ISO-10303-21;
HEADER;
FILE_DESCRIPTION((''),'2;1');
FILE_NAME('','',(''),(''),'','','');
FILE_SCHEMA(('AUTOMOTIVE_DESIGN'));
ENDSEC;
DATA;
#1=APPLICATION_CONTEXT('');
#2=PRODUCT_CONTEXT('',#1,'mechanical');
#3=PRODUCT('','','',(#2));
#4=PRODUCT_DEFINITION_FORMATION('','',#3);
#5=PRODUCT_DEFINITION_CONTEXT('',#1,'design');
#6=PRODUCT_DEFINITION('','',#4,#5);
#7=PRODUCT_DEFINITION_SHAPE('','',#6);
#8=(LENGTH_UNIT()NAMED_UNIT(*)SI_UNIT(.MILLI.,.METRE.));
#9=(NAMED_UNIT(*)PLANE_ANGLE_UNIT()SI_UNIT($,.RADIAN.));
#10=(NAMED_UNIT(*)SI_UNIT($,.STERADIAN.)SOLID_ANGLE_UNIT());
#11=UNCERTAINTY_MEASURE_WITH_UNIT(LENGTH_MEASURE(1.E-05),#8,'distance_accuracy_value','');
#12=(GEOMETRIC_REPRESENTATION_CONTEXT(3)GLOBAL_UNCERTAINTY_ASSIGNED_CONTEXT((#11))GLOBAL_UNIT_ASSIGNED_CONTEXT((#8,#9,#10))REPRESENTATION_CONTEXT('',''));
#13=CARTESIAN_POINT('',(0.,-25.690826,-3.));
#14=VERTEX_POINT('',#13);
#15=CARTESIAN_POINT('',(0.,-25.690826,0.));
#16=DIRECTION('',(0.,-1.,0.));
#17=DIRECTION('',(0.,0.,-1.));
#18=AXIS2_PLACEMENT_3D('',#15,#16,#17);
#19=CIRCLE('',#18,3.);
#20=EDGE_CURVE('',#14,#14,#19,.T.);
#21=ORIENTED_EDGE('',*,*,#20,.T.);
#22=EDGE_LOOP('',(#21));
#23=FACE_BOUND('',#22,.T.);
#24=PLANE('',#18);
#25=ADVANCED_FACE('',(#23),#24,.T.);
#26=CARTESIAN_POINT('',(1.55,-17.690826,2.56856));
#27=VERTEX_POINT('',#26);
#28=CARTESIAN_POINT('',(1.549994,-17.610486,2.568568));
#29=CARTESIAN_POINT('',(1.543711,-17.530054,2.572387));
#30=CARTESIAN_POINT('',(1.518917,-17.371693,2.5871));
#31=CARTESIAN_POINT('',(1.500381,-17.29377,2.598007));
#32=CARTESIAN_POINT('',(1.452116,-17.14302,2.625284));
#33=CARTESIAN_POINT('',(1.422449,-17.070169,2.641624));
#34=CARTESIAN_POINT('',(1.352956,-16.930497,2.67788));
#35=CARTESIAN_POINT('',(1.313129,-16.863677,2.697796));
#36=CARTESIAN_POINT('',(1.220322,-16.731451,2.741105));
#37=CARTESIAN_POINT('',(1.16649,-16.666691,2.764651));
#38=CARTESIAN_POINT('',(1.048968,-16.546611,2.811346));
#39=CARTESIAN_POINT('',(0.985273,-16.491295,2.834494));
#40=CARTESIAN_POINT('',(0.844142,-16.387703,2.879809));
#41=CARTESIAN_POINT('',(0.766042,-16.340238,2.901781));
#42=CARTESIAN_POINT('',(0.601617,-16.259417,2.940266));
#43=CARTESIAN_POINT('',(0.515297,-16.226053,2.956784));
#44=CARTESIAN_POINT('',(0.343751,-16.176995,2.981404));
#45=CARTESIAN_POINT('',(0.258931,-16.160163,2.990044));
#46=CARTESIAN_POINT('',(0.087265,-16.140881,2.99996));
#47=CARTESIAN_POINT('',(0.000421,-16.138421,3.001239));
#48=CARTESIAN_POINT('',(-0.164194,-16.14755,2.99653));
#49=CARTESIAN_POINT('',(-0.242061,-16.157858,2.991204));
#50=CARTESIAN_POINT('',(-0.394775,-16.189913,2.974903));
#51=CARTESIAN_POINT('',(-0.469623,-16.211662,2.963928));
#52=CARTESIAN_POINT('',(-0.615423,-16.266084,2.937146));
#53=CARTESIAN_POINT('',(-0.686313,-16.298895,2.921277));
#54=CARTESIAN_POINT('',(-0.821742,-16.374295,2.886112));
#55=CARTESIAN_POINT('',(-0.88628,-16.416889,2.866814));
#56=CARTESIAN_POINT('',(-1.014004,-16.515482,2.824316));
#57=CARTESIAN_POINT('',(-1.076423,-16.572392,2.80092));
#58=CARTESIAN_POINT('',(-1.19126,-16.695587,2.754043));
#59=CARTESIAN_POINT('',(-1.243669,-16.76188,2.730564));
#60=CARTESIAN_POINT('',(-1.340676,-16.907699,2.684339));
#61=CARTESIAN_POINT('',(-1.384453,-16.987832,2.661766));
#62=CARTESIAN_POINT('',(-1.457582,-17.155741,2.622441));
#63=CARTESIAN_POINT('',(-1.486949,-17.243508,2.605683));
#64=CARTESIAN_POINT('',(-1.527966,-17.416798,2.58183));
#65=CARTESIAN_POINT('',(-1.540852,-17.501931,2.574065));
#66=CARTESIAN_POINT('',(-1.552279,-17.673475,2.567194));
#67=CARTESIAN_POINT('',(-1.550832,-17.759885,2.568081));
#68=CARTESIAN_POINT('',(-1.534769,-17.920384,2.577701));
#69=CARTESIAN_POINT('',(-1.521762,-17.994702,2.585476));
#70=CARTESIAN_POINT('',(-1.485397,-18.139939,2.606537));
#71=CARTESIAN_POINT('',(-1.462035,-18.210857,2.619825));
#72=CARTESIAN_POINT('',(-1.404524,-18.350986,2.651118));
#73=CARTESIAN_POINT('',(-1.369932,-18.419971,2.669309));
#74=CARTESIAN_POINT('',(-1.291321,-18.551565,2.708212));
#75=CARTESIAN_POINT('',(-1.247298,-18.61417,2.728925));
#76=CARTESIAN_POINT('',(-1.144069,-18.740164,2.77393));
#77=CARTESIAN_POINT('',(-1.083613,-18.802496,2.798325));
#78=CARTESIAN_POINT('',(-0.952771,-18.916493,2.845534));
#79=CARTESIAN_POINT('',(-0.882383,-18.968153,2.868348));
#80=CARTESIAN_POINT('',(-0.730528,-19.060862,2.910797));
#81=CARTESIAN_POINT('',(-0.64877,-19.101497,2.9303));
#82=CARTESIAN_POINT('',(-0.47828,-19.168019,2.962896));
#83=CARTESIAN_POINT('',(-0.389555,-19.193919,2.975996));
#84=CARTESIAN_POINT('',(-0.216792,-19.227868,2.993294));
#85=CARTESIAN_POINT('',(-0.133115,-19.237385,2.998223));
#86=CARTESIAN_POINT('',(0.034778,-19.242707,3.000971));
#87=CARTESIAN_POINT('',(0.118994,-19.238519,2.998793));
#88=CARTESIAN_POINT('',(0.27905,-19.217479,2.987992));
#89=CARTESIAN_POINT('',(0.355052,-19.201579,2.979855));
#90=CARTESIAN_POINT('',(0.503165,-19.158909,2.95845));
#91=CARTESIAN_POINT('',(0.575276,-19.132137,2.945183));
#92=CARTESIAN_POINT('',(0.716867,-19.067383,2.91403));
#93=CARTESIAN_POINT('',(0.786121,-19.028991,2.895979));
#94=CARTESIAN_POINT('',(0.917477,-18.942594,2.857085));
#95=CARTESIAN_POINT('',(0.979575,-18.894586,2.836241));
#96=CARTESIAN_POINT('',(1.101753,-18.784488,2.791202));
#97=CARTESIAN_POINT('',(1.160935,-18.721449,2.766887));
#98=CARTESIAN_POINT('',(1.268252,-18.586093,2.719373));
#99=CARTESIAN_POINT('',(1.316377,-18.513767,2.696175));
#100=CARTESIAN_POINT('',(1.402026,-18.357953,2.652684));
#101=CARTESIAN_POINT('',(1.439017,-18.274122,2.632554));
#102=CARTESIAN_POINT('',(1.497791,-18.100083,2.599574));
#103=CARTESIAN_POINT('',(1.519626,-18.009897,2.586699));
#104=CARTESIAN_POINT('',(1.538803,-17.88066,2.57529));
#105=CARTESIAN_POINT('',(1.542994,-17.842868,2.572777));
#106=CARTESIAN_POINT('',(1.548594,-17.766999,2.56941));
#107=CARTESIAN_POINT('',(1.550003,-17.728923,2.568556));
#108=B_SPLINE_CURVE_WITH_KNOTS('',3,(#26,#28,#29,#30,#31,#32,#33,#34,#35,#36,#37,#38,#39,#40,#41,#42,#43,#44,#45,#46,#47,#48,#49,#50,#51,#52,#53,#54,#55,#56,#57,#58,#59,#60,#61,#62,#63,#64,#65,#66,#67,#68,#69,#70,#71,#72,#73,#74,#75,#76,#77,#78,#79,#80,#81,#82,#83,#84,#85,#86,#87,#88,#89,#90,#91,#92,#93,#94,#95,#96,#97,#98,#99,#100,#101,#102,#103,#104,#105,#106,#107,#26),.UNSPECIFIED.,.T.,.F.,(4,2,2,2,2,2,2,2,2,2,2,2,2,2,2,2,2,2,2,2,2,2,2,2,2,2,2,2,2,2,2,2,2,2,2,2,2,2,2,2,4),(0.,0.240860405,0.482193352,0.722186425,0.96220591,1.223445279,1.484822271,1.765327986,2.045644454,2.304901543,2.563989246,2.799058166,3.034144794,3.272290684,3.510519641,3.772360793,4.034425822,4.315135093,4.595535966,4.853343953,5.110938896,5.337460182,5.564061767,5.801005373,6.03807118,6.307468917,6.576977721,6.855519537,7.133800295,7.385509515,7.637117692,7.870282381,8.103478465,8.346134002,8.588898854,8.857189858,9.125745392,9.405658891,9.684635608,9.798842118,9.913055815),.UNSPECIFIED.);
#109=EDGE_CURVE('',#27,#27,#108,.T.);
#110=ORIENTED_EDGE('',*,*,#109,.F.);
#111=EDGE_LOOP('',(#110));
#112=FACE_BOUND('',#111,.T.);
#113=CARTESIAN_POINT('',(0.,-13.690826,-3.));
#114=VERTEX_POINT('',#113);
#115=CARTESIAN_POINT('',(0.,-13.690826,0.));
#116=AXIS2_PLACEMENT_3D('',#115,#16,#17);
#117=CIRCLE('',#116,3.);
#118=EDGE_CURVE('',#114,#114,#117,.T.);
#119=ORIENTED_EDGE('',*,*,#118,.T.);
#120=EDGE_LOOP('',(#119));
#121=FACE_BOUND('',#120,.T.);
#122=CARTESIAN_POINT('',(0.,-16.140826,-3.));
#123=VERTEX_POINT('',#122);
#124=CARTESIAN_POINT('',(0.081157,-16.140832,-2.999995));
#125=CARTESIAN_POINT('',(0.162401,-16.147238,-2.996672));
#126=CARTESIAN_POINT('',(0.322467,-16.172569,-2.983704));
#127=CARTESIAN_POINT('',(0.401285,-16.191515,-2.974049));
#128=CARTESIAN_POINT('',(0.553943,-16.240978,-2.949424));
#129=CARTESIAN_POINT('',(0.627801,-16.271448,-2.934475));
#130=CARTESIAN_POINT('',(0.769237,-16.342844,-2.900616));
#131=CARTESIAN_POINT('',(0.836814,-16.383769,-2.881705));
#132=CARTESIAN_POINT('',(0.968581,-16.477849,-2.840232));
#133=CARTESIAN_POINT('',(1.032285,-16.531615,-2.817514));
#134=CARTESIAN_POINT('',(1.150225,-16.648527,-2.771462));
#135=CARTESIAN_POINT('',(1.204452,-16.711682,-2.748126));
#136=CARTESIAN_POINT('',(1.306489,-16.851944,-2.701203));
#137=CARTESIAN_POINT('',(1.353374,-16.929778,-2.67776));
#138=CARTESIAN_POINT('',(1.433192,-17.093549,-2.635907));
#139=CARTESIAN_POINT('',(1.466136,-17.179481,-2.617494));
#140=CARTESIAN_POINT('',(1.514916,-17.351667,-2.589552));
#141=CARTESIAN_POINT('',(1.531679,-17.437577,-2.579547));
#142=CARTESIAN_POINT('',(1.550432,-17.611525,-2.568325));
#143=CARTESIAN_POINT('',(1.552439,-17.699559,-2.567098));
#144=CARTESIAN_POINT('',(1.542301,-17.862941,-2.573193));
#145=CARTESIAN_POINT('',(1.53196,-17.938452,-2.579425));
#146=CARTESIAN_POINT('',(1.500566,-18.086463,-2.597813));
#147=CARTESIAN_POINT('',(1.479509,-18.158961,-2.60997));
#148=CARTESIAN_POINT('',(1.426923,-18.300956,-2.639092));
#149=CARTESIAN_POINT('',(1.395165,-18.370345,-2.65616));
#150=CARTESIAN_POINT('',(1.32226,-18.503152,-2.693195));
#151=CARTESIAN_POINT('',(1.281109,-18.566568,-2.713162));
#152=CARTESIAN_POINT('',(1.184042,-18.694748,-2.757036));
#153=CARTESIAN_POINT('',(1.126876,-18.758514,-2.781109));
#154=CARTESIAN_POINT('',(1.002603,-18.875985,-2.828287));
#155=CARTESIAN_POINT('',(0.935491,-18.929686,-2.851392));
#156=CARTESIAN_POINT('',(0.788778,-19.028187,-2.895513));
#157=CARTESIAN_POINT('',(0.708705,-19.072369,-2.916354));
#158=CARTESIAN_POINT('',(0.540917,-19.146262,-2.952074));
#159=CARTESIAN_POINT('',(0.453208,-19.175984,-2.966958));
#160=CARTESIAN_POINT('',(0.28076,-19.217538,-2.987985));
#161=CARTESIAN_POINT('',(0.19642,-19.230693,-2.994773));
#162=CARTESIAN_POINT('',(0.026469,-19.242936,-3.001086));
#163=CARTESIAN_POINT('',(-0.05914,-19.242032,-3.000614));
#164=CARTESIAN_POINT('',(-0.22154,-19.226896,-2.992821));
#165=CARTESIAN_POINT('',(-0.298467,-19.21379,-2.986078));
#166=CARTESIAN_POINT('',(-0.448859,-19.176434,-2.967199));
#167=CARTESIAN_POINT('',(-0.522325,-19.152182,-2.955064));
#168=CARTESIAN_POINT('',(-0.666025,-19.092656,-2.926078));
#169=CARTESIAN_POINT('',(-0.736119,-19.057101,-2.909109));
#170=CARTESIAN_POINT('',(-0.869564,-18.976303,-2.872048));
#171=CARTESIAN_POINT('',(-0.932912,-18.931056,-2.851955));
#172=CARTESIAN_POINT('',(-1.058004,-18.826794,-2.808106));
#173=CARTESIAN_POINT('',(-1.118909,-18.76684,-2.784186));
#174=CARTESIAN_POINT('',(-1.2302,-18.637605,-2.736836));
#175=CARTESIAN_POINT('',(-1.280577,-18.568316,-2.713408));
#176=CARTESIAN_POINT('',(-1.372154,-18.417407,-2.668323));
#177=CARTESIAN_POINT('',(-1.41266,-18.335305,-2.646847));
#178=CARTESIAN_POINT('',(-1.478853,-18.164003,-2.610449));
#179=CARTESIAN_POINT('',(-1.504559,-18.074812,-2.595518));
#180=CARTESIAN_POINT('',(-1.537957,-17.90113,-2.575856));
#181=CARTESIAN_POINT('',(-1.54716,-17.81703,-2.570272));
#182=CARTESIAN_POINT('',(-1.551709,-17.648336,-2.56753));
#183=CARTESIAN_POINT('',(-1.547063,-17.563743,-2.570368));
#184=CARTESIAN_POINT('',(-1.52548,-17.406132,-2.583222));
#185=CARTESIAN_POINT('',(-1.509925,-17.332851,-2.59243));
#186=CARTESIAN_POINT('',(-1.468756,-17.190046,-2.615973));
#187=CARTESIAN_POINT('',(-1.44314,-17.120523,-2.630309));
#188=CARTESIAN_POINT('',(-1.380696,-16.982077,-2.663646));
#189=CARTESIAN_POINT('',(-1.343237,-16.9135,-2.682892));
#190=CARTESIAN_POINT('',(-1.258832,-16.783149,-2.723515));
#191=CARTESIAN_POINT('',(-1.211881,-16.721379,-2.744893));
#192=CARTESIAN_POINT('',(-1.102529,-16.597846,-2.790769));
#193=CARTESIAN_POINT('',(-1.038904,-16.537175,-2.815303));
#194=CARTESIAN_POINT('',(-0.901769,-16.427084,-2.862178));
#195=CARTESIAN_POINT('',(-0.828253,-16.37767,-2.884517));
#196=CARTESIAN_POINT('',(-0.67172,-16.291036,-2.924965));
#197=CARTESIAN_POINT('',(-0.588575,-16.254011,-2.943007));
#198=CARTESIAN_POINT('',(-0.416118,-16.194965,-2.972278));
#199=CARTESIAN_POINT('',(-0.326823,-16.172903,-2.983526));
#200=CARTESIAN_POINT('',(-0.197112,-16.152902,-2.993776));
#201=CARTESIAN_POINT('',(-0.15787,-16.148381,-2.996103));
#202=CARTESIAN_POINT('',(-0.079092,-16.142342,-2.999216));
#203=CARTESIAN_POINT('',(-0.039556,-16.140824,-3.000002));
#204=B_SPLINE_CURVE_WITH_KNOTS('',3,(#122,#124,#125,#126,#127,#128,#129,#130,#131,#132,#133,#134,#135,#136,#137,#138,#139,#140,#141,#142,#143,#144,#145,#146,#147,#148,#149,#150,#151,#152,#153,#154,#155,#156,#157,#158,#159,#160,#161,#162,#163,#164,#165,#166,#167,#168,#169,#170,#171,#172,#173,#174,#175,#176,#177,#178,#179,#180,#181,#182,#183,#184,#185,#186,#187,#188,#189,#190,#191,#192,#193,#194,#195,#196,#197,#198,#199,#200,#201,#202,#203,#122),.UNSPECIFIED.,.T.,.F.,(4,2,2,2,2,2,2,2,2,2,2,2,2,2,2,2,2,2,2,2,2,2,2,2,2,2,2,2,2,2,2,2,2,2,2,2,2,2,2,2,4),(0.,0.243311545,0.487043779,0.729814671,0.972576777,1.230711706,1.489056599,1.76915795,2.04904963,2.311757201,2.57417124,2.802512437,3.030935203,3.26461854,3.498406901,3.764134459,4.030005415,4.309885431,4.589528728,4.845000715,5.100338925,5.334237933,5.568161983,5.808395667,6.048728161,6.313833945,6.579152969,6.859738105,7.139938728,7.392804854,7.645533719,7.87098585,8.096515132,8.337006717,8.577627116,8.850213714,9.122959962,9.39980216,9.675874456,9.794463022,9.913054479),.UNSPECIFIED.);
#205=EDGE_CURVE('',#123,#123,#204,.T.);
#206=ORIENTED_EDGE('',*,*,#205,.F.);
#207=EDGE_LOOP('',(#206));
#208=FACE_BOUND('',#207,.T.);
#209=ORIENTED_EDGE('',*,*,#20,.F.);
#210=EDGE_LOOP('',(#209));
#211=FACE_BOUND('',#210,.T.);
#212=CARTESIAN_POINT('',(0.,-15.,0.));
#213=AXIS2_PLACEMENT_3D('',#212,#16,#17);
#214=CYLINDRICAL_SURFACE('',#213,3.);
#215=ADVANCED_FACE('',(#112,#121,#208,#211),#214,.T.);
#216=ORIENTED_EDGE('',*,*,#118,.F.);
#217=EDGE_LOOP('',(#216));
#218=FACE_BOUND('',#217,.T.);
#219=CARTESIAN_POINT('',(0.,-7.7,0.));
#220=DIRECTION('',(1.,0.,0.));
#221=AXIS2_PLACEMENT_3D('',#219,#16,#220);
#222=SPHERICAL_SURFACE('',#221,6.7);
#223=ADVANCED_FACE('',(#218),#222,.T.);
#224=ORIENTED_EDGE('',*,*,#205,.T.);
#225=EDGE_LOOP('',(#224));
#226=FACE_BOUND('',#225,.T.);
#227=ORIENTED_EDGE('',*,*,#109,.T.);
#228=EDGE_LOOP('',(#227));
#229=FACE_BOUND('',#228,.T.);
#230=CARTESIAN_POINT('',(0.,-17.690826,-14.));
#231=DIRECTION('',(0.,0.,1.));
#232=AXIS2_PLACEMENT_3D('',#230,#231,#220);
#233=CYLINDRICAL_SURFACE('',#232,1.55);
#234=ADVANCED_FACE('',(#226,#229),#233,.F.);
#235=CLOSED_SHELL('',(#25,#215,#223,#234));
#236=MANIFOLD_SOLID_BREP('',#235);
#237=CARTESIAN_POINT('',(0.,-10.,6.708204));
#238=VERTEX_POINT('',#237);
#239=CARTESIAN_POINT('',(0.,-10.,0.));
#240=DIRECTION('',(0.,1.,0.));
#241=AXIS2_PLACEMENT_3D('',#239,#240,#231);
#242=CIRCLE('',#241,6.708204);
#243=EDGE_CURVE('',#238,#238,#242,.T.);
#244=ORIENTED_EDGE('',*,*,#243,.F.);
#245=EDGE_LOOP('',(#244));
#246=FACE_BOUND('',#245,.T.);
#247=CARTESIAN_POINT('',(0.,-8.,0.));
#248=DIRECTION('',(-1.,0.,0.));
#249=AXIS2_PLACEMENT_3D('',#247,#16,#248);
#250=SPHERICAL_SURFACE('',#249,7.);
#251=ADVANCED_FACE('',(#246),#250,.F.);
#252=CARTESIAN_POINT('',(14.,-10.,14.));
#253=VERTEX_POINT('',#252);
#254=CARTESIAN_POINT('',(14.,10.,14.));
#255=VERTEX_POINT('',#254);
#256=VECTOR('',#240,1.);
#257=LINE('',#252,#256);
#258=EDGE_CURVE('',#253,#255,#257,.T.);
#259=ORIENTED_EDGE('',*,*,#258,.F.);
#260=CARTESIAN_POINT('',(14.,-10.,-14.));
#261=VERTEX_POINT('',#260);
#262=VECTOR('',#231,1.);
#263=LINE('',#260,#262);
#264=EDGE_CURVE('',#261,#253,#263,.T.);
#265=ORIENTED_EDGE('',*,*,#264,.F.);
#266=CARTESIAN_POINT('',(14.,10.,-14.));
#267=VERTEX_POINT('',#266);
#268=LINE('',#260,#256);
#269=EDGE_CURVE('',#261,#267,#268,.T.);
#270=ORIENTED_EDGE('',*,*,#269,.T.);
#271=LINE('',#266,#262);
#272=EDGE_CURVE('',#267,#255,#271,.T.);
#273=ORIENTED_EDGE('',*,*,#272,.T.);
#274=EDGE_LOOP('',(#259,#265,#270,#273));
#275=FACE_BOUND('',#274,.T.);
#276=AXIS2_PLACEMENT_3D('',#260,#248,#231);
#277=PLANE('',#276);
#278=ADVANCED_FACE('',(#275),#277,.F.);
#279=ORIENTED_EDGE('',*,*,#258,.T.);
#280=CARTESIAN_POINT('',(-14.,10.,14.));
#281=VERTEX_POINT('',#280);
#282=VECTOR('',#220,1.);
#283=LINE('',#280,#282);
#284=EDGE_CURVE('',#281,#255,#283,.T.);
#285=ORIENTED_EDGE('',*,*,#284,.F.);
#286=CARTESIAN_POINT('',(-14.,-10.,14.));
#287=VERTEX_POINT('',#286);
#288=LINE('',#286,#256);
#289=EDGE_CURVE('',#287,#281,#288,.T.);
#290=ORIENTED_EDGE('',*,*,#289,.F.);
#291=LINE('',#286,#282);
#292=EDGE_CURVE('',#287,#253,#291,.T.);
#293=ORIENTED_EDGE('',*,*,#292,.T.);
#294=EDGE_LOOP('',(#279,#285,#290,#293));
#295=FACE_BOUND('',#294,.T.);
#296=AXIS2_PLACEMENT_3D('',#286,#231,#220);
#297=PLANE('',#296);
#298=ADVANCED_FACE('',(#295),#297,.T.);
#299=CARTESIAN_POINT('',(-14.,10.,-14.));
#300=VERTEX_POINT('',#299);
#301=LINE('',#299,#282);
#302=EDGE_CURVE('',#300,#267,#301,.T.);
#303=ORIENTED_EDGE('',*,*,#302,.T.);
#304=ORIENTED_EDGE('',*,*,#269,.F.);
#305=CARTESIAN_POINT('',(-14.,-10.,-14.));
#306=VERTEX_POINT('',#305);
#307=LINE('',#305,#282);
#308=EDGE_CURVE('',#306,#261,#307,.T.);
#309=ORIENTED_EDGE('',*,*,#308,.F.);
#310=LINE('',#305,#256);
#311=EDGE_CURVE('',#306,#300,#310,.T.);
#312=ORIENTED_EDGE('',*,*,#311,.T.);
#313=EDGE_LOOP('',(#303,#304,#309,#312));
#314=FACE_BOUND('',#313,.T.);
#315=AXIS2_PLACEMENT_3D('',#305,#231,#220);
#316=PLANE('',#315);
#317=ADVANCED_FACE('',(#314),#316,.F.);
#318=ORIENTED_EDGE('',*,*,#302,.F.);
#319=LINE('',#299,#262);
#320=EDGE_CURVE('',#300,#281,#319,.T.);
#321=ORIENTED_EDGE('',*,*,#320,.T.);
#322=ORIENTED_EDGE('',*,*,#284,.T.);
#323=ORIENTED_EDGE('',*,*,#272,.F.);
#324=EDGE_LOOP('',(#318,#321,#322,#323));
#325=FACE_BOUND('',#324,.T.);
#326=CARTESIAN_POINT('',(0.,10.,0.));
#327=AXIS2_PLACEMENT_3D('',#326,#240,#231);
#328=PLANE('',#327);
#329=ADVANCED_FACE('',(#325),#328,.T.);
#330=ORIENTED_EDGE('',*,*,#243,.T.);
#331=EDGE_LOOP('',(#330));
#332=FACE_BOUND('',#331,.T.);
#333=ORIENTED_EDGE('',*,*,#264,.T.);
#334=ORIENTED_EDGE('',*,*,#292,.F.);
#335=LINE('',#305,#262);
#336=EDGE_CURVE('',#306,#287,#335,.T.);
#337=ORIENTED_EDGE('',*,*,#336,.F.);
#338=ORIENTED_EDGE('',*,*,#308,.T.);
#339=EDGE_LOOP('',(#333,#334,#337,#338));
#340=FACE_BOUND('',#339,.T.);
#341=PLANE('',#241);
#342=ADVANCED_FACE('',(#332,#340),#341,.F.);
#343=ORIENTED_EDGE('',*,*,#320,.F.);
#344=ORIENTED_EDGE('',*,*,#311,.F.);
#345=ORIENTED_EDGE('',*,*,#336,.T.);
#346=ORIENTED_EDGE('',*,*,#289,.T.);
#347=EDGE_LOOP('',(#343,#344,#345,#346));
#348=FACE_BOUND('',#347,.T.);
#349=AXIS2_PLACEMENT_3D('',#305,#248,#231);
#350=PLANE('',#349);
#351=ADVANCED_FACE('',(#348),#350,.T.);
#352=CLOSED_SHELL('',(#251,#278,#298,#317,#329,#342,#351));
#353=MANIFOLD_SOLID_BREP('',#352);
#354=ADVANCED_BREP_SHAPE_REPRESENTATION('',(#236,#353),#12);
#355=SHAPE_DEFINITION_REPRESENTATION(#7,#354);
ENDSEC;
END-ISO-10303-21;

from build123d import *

# Parameters (mm, degrees)
SKETCH1_W               = 28
SKETCH1_H               = 28
BOSS_EXTRUDE1_DEPTH     = 10
CUT_EXTRUDE1_DEPTH      = 41.497142578
CUT_EXTRUDE1_DEPTH_BACK = 41.497142578
SKETCH4_R               = 1.55


with BuildPart() as part:
    # Sketch1 → Boss-Extrude1 (new, symmetric)
    with BuildSketch(Plane(origin=(0, 0, 0), x_dir=(1, 0, 0), z_dir=(0, 1, 0))):
        Rectangle(SKETCH1_W, SKETCH1_H)
    extrude(amount=BOSS_EXTRUDE1_DEPTH, both=True)

    # Sketch2 → Cut-Revolve1 (revolve, cut)
    with BuildSketch(Plane.XY):
        with BuildLine():
            Line((0, -15), (0, -1))
            ThreePointArc((0, -1), (7, -8), (0, -15))
        make_face()
    revolve(axis=Axis((0, -15, 0), (0, 1, 0)), mode=Mode.SUBTRACT)


with BuildPart() as body_2:
    # Sketch3 → Revolve1 (revolve)
    with BuildSketch(Plane.XY, mode=Mode.PRIVATE) as revolve1_sk:
        with BuildLine():
            Line((0, -1), (0, -14.4))
            Line((0, -14.4), (0, -25.69082632))
            Line((0, -25.69082632), (3, -25.69082632))
            Line((3, -25.69082632), (3, -13.69082632))
            ThreePointArc((3, -13.69082632), (6.520296632, -6.158659082), (0, -1))
        make_face()
    revolve(revolve1_sk.sketch.rotate(Axis((0, -15, 0), (0, 1, 0)), 90), axis=Axis((0, -15, 0), (0, 1, 0)))

    # Sketch4 → Cut-Extrude1 (cut, two sides: drawn at the far end of the back side and taken through both)
    with BuildSketch(Plane.XY.offset(14).offset(-CUT_EXTRUDE1_DEPTH_BACK)):
        with Locations((0, -17.69082632)):
            Circle(SKETCH4_R)
    extrude(amount=CUT_EXTRUDE1_DEPTH + CUT_EXTRUDE1_DEPTH_BACK, mode=Mode.SUBTRACT)


solid = Compound([part.part, body_2.part])
